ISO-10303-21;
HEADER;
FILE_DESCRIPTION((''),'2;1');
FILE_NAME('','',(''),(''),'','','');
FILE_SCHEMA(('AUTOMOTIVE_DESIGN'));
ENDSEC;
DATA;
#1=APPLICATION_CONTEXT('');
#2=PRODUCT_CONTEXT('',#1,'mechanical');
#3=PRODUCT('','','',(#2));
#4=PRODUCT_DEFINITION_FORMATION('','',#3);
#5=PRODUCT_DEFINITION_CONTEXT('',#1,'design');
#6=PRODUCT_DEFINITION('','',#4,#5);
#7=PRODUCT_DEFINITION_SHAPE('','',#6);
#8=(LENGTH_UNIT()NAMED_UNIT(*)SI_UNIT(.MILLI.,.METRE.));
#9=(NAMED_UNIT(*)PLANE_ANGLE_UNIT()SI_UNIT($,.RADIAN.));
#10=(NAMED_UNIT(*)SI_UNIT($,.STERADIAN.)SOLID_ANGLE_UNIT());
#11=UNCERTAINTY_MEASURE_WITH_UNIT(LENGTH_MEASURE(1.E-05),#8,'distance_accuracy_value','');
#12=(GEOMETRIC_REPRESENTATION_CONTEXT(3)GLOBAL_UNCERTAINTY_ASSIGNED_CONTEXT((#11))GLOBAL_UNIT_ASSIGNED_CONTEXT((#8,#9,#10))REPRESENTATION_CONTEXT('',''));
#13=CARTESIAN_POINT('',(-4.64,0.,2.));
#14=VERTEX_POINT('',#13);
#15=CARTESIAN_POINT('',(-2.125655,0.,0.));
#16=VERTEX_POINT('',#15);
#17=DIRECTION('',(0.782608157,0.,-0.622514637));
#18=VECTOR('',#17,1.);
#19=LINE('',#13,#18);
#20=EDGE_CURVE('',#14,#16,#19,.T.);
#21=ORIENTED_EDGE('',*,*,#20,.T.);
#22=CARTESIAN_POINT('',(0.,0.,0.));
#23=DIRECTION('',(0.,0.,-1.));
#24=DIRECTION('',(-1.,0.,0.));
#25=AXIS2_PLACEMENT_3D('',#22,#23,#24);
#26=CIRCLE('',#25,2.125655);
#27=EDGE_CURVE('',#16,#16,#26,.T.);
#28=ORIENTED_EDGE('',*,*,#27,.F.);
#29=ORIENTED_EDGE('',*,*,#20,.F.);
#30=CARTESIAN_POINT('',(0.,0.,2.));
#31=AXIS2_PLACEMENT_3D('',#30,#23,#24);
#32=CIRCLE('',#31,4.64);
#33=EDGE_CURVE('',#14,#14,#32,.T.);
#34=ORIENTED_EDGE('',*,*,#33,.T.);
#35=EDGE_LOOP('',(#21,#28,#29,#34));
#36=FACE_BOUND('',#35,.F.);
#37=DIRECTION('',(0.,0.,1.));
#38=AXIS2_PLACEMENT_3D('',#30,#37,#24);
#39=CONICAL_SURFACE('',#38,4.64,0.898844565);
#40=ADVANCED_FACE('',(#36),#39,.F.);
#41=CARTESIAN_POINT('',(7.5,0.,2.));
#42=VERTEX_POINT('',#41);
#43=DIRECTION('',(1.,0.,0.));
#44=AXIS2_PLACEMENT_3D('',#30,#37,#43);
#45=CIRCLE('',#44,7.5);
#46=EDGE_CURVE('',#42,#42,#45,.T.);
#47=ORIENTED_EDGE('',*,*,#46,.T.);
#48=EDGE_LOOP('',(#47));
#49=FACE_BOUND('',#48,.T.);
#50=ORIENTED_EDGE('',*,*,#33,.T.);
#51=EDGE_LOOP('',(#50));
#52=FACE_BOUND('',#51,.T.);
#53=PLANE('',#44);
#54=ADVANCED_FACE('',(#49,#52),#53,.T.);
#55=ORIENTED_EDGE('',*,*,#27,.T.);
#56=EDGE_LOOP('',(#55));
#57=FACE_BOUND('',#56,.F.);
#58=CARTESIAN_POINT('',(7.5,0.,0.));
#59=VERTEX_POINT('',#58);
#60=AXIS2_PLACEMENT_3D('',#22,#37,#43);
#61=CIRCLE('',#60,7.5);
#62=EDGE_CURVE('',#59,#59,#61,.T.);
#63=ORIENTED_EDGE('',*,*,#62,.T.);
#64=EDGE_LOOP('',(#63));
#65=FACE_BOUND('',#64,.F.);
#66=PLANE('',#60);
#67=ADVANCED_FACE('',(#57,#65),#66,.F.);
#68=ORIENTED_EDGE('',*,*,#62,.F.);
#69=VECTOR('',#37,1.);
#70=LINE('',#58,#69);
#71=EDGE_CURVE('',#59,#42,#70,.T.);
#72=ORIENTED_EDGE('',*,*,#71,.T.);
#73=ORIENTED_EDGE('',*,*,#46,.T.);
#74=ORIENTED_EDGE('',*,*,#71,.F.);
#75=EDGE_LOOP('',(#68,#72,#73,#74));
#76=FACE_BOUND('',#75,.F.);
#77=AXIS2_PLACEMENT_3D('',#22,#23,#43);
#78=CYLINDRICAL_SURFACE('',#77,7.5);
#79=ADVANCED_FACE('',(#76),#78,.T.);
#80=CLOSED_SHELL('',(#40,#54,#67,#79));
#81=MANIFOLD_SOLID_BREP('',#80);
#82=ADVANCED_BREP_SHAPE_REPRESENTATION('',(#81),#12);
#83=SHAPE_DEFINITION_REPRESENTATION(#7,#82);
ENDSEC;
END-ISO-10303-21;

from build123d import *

# Parameters (mm, degrees)
SKETCH_R         = 7.5
PAD_DEPTH        = 2
HOLE_D           = 3.7
HOLE_DEPTH       = 25
HOLE_CSINK_D     = 9.28
HOLE_CSINK_ANGLE = 103


with BuildPart() as part:
    # Sketch → Pad (new body)
    with BuildSketch(Plane.XY):
        Circle(SKETCH_R)
    extrude(amount=PAD_DEPTH)

    # Hole
    with Locations(Plane.XY.offset(2)):
        with Locations((0, 0)):
            CounterSinkHole(HOLE_D / 2, HOLE_CSINK_D / 2, depth=HOLE_DEPTH, counter_sink_angle=HOLE_CSINK_ANGLE)


solid = part.part
